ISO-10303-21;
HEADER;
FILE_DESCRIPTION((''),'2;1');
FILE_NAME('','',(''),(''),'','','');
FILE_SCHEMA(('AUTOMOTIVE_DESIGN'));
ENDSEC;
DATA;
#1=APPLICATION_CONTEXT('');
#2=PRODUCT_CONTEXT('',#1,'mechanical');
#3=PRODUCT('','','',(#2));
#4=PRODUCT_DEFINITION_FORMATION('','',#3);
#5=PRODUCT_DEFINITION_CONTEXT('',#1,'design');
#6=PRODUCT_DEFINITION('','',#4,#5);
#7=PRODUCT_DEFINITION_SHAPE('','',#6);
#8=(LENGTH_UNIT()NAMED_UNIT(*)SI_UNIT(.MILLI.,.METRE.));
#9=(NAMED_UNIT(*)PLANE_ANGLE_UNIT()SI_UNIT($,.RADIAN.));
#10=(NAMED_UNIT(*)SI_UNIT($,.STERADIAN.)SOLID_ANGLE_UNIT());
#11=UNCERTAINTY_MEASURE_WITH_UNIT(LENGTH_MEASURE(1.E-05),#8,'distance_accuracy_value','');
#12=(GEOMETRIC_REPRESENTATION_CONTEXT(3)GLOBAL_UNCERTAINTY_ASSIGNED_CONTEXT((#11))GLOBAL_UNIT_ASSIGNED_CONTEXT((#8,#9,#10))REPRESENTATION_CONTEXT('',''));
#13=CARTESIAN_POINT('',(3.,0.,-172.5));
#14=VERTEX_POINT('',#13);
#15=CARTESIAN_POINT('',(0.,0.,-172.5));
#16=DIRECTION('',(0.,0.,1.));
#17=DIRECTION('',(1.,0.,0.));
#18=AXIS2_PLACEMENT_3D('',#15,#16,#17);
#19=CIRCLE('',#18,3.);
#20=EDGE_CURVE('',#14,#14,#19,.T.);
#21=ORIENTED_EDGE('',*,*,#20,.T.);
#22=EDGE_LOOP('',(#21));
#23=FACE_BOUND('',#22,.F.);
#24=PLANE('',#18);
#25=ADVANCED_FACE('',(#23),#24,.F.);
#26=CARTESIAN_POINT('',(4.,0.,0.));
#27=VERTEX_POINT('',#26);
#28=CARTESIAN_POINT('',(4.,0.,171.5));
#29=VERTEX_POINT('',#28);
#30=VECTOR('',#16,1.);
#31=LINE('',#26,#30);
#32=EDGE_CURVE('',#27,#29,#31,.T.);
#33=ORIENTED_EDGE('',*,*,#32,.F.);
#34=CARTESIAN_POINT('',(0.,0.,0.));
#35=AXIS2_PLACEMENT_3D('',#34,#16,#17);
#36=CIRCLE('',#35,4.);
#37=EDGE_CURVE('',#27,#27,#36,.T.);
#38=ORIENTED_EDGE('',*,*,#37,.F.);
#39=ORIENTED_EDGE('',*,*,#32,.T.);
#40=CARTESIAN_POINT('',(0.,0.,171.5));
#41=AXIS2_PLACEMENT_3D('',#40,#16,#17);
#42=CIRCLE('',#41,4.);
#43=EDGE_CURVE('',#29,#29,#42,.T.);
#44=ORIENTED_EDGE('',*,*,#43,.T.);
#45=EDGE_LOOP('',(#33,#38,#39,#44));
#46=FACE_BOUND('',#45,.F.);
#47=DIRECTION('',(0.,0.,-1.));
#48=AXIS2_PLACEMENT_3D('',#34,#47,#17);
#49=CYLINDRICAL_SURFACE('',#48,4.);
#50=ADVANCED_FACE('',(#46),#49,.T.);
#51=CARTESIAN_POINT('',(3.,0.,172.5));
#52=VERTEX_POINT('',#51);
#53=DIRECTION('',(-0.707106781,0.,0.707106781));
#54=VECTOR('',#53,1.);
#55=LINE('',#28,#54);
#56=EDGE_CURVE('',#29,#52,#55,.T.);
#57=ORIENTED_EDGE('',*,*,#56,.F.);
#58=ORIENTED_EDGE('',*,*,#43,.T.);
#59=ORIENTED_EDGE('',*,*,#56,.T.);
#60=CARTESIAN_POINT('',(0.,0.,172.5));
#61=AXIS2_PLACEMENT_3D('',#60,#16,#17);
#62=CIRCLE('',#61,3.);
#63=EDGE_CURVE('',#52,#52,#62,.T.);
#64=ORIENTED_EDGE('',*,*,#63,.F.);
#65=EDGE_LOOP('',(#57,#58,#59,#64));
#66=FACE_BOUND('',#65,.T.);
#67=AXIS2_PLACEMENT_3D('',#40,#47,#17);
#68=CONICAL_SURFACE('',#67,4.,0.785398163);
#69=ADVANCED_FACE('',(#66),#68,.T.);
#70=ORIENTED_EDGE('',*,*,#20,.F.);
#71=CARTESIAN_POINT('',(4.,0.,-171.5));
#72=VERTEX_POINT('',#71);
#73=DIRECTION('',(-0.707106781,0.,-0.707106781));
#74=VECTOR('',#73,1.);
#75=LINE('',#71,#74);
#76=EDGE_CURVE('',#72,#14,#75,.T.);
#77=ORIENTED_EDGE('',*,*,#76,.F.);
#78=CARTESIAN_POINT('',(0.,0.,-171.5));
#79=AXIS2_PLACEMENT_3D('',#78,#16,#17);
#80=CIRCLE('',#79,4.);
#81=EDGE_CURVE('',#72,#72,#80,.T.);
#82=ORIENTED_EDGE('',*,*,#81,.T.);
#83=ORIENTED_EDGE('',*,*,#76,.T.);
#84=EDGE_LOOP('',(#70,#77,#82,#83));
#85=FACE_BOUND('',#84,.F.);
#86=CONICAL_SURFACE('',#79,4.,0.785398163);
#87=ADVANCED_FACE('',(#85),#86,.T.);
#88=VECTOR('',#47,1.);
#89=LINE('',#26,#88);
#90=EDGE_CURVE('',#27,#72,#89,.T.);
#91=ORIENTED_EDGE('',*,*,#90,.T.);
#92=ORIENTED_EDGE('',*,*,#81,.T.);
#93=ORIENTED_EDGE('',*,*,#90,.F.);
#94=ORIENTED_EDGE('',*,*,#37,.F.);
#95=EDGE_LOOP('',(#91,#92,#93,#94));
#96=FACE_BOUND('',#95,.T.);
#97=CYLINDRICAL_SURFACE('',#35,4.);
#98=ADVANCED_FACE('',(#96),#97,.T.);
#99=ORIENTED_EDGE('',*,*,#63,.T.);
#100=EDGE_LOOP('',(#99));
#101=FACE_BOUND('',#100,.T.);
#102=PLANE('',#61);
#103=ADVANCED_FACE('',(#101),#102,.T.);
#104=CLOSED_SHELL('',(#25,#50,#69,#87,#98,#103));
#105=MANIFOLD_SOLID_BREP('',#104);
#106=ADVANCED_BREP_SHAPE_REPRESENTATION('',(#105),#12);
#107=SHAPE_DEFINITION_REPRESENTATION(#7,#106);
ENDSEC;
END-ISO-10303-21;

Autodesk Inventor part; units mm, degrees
ref_plane "YZ Plane" through (0, 0, 0) normal (1, 0, 0) x (0, 1, 0)
ref_plane "XZ Plane" through (0, 0, 0) normal (0, 1, 0) x (-1, 0, 0)
ref_plane "XY Plane" through (0, 0, 0) normal (0, 0, 1) x (1, 0, 0)
sketch "Sketch1" plane through (0, 0, 0) normal (0, 0, 1) x (1, 0, 0)
  circle A0 centre (0, 0) radius 4
  dimension "d0" = 8
extrude "Extrusion1" add sketch "Sketch1" along normal mid plane 345
chamfer "Chamfer1" distance 1 angle 45 2 edges at (-4, 0, 172.5) (-4, 0, -172.5)
properties part number "201-06" material "Steel"
